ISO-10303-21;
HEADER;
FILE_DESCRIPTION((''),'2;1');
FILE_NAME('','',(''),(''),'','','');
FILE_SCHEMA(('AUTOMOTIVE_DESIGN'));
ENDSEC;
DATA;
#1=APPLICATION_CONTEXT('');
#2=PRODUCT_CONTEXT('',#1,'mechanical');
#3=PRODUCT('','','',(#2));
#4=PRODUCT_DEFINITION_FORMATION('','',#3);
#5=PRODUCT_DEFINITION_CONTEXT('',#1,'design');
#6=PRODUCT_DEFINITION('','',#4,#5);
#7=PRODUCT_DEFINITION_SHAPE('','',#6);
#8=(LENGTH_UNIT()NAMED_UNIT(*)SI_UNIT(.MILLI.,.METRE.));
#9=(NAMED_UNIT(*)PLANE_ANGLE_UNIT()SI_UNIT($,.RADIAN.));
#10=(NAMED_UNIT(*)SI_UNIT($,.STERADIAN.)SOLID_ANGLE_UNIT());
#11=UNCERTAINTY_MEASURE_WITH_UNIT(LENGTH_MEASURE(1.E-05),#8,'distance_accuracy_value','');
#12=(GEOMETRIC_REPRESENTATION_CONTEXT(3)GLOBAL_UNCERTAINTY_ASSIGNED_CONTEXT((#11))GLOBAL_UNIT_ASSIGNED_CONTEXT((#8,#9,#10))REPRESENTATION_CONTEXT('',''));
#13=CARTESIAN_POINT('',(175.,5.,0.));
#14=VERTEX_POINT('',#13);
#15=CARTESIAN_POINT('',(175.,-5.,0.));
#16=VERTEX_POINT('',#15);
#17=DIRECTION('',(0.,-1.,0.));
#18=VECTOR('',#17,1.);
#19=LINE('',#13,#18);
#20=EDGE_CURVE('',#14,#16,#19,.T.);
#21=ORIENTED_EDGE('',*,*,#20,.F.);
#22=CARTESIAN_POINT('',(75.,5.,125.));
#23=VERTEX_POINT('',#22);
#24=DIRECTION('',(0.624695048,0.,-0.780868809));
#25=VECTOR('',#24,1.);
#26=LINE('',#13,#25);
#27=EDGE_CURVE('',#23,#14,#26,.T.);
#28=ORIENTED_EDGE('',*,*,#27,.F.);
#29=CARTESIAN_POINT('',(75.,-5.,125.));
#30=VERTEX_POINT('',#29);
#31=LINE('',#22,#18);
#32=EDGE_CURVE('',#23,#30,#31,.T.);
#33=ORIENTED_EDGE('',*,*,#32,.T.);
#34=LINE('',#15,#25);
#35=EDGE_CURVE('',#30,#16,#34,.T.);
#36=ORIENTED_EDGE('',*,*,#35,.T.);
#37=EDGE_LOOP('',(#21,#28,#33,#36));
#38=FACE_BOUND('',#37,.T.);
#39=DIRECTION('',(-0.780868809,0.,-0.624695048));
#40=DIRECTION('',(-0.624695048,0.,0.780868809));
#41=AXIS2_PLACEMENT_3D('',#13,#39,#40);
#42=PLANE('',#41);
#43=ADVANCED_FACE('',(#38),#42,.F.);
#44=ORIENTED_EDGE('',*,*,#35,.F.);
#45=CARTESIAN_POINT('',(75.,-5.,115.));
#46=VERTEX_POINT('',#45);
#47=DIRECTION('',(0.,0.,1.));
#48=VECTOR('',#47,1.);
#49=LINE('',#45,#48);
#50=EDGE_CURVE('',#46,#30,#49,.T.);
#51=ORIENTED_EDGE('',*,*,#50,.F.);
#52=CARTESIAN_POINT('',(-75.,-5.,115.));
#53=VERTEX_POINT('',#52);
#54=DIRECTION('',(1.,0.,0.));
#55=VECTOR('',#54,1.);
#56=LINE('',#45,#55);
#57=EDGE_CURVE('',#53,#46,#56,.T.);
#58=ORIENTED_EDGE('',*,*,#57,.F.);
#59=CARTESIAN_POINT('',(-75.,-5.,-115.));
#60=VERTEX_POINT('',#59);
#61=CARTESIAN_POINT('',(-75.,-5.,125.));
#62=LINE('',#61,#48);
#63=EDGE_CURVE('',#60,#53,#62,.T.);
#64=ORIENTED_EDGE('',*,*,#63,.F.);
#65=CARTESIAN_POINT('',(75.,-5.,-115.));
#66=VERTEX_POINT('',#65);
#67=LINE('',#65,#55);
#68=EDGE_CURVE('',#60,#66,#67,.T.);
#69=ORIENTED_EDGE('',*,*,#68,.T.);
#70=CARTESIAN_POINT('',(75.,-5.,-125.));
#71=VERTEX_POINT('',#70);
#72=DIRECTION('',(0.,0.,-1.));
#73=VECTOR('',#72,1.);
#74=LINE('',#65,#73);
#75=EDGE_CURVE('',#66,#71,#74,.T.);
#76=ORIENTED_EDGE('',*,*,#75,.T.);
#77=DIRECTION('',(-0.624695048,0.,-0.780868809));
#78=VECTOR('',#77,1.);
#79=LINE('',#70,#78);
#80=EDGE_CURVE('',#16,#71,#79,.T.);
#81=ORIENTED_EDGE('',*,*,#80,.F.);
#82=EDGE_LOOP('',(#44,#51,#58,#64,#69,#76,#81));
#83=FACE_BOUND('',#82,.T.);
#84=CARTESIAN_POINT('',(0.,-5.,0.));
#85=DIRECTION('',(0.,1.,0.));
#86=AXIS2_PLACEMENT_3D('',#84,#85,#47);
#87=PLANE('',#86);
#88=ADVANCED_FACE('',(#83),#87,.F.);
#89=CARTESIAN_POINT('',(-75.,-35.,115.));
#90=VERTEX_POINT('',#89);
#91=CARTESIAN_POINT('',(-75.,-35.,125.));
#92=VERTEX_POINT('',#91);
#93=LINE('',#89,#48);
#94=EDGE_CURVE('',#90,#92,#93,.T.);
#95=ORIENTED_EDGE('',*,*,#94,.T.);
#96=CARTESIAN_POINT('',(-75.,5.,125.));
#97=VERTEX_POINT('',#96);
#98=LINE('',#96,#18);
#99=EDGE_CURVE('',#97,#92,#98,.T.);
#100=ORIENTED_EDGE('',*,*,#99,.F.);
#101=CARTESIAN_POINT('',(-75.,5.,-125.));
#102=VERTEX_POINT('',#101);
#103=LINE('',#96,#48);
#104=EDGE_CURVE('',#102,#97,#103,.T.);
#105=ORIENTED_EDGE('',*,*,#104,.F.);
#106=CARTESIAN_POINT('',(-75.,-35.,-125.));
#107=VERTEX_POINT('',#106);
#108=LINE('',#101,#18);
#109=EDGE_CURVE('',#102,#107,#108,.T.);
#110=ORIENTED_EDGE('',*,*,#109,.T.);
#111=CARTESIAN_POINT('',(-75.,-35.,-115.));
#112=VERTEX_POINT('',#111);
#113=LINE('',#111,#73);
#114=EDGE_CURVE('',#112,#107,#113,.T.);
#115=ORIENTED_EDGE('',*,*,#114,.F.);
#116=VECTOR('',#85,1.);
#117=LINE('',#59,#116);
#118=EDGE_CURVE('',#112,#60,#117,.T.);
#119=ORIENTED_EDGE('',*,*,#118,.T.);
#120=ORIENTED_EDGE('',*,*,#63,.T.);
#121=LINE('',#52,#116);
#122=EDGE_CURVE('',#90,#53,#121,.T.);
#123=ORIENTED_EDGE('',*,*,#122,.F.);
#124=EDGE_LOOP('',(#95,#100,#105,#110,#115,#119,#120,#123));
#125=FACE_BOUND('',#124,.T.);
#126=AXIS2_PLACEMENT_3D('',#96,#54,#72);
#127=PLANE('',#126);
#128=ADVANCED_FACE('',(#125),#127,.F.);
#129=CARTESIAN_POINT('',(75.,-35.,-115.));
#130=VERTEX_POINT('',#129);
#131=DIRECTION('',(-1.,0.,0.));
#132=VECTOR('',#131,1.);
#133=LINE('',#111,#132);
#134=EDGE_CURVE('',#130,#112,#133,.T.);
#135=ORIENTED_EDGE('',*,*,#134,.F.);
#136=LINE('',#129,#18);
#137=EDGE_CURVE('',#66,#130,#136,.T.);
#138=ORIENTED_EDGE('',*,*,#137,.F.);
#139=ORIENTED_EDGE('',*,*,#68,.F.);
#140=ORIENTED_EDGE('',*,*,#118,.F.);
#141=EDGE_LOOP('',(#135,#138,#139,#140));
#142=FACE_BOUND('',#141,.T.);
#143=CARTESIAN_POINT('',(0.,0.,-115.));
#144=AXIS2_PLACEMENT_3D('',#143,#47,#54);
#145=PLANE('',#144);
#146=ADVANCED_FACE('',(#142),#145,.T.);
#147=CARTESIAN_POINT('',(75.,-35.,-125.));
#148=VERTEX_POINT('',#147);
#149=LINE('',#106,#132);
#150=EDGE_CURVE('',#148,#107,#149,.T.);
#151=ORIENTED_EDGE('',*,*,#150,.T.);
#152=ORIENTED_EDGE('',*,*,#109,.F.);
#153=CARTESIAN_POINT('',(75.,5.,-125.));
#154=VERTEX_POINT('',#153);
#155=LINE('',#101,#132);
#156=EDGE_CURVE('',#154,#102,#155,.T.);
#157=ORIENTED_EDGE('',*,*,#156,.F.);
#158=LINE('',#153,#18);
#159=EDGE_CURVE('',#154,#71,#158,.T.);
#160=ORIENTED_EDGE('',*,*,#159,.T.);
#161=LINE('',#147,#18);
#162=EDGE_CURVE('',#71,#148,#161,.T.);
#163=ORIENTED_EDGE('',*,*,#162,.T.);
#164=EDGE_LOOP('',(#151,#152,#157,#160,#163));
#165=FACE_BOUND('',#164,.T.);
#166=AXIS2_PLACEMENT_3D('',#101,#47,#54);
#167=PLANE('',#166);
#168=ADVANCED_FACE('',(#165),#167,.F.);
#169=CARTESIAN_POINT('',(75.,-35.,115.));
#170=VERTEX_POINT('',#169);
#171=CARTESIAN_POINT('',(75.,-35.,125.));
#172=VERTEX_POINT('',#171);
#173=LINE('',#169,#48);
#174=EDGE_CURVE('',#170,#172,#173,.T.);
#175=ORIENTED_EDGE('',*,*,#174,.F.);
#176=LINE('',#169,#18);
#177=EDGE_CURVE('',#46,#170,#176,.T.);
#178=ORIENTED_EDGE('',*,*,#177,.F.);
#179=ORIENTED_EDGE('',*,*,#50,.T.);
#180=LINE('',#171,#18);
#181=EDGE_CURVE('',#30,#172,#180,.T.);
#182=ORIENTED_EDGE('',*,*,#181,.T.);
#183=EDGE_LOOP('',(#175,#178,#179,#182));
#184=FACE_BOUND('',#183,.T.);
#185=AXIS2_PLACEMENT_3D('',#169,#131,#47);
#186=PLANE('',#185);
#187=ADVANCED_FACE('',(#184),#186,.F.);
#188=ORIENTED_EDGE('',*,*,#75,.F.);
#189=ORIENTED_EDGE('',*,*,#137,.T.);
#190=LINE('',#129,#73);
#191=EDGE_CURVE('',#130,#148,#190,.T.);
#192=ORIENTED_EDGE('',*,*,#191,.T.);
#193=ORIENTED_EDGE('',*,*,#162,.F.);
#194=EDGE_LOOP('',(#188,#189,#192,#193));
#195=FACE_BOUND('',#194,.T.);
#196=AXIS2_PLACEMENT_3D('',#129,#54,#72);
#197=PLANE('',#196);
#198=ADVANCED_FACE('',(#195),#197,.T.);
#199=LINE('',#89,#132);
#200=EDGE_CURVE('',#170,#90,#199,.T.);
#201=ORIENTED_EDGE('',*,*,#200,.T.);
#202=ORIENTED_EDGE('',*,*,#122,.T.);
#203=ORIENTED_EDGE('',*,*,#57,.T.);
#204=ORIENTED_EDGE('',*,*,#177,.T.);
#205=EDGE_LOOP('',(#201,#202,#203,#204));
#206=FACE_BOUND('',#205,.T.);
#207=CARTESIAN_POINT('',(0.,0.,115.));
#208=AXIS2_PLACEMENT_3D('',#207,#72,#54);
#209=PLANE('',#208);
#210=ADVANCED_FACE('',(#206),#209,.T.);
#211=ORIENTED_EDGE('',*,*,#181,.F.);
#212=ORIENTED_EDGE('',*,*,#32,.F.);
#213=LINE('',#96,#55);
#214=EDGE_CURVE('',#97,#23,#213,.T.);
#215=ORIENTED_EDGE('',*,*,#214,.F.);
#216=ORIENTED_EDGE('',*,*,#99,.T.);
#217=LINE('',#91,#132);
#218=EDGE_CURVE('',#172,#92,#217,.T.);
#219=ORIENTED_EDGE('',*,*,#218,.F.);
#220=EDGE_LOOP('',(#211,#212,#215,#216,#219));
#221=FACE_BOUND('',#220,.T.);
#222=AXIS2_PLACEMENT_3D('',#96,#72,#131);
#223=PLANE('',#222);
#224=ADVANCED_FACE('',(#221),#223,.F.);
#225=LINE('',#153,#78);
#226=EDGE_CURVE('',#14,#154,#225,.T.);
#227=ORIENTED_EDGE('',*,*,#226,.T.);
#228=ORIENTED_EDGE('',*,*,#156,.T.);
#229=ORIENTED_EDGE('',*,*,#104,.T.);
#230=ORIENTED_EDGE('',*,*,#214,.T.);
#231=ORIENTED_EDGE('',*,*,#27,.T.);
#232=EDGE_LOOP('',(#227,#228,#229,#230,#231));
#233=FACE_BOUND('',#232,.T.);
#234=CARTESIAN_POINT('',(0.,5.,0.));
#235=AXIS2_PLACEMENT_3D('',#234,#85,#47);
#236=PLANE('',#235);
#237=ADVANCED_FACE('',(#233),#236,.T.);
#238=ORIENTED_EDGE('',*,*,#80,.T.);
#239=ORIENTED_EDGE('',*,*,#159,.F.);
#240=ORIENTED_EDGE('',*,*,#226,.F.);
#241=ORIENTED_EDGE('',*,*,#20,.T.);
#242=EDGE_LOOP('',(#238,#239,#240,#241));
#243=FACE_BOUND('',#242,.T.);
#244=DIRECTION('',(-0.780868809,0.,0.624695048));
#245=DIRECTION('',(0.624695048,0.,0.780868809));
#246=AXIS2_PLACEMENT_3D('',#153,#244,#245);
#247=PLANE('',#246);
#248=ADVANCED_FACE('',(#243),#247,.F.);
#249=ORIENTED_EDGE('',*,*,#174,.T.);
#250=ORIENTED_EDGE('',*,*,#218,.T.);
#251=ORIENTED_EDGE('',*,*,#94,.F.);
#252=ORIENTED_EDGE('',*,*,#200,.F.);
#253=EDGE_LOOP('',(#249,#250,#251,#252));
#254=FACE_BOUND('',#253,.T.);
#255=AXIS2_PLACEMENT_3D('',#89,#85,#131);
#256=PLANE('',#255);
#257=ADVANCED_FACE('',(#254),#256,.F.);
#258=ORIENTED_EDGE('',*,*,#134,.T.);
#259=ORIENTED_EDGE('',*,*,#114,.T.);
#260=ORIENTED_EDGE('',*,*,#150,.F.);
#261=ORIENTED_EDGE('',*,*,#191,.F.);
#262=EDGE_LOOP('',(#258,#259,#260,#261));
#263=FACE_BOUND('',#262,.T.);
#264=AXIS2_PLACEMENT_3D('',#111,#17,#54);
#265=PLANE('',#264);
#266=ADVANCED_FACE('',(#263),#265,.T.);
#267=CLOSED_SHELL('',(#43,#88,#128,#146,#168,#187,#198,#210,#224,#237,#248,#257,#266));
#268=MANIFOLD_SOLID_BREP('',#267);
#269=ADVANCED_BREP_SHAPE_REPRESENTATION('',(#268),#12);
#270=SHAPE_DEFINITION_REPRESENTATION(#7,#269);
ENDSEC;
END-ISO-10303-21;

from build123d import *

# Parameters (mm, degrees)
BOSS_EXTRUDE1_DEPTH = 5
SKETCH2_W           = 150
SKETCH2_H           = 30
BOSS_EXTRUDE2_DEPTH = 10


with BuildPart() as part:
    # Sketch1 → Boss-Extrude1 (new, symmetric)
    with BuildSketch(Plane(origin=(0, 0, 0), x_dir=(1, 0, 0), z_dir=(0, 1, 0))):
        Polygon((75, 125), (175, 0), (75, -125), (-75, -125), (-75, 125), align=None)
    extrude(amount=BOSS_EXTRUDE1_DEPTH, both=True)

    # Sketch2 → Boss-Extrude2 (add)
    with BuildSketch(Plane(origin=(0, 0, -125), x_dir=(-1, 0, 0), z_dir=(0, 0, -1))):
        with Locations((0, -20)):
            Rectangle(SKETCH2_W, SKETCH2_H)
    boss_extrude2 = extrude(amount=-BOSS_EXTRUDE2_DEPTH)

    # Mirror1: Boss-Extrude2 across plane
    add(boss_extrude2.mirror(Plane.XY))


solid = part.part
